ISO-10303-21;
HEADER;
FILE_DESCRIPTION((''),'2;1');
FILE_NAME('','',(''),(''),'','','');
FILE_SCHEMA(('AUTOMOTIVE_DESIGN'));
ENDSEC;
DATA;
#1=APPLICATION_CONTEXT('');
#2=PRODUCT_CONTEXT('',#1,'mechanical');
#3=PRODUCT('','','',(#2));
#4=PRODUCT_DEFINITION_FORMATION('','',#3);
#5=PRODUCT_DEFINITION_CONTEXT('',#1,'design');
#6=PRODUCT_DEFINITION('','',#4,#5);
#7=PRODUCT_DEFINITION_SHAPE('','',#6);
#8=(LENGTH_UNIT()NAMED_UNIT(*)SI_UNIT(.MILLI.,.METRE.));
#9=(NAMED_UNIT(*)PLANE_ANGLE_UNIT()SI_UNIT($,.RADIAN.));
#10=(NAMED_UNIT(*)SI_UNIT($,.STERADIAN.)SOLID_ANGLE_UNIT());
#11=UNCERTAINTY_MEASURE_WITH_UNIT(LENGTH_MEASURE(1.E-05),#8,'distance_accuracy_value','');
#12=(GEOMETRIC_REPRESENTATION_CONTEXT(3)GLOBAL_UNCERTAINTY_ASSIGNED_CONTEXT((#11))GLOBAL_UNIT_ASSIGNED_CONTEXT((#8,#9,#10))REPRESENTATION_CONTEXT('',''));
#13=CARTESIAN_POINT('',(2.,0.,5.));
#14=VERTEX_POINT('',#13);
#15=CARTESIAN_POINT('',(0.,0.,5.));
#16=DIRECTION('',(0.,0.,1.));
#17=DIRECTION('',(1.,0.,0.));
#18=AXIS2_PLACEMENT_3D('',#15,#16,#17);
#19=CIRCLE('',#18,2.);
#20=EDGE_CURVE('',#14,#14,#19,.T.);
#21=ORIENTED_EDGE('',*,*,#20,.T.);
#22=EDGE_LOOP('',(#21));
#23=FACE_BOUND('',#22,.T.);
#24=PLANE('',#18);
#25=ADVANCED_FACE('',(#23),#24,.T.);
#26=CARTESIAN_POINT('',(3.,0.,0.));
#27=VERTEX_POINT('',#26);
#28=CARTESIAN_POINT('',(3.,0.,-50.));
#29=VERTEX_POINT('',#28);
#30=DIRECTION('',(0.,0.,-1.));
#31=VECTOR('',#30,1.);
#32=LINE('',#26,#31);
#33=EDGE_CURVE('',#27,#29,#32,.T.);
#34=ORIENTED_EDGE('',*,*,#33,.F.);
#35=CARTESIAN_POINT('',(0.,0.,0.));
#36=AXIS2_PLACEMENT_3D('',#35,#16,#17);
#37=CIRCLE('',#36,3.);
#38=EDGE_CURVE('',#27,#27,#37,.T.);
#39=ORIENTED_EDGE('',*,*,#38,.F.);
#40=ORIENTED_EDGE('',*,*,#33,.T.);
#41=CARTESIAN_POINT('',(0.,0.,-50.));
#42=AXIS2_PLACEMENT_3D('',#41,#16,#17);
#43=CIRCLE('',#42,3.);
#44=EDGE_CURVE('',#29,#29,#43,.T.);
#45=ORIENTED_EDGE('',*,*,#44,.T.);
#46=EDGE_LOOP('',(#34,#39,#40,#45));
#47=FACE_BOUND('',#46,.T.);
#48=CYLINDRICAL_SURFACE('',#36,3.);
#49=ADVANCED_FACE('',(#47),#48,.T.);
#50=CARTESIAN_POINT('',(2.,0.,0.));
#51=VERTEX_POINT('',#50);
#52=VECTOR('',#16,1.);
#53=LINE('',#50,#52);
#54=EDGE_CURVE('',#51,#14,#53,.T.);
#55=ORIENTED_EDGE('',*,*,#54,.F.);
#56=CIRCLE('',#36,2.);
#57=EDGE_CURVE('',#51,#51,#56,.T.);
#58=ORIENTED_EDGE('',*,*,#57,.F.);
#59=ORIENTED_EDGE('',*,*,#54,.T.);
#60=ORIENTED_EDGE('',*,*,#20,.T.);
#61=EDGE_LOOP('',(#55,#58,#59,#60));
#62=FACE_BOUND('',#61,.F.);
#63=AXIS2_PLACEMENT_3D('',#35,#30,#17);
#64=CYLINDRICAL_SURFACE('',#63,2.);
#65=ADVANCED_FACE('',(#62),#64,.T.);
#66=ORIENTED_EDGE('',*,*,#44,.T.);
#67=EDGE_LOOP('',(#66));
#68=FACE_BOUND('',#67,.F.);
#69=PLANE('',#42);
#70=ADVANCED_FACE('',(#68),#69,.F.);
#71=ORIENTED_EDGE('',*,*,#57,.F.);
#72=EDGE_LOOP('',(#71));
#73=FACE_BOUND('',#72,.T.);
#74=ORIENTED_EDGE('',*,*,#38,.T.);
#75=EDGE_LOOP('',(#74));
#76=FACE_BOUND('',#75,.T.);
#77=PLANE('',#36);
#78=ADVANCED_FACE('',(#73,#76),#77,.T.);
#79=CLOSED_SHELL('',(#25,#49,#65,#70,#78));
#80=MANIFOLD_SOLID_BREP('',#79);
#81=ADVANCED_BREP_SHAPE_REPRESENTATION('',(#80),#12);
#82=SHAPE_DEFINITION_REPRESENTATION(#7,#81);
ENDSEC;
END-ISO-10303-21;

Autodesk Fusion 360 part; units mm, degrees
sketch "Sketch2" plane through (0, 0, 0) normal (0, 0, 1) x (1, 0, 0)
sketch "Sketch3" plane through (0, 0, 0) normal (0, 0, 1) x (1, 0, 0)
  circle A0 centre (0, 0) radius 2
  circle A1 centre (0, 0) radius 3
  dimension "d7" = 4
  dimension "d8" = 6
extrude "Extrude2" add sketch "Sketch3" against normal blind 50 contours A0 | A1
extrude "Extrude4" add sketch "Sketch3" along normal blind 5 contours A0
